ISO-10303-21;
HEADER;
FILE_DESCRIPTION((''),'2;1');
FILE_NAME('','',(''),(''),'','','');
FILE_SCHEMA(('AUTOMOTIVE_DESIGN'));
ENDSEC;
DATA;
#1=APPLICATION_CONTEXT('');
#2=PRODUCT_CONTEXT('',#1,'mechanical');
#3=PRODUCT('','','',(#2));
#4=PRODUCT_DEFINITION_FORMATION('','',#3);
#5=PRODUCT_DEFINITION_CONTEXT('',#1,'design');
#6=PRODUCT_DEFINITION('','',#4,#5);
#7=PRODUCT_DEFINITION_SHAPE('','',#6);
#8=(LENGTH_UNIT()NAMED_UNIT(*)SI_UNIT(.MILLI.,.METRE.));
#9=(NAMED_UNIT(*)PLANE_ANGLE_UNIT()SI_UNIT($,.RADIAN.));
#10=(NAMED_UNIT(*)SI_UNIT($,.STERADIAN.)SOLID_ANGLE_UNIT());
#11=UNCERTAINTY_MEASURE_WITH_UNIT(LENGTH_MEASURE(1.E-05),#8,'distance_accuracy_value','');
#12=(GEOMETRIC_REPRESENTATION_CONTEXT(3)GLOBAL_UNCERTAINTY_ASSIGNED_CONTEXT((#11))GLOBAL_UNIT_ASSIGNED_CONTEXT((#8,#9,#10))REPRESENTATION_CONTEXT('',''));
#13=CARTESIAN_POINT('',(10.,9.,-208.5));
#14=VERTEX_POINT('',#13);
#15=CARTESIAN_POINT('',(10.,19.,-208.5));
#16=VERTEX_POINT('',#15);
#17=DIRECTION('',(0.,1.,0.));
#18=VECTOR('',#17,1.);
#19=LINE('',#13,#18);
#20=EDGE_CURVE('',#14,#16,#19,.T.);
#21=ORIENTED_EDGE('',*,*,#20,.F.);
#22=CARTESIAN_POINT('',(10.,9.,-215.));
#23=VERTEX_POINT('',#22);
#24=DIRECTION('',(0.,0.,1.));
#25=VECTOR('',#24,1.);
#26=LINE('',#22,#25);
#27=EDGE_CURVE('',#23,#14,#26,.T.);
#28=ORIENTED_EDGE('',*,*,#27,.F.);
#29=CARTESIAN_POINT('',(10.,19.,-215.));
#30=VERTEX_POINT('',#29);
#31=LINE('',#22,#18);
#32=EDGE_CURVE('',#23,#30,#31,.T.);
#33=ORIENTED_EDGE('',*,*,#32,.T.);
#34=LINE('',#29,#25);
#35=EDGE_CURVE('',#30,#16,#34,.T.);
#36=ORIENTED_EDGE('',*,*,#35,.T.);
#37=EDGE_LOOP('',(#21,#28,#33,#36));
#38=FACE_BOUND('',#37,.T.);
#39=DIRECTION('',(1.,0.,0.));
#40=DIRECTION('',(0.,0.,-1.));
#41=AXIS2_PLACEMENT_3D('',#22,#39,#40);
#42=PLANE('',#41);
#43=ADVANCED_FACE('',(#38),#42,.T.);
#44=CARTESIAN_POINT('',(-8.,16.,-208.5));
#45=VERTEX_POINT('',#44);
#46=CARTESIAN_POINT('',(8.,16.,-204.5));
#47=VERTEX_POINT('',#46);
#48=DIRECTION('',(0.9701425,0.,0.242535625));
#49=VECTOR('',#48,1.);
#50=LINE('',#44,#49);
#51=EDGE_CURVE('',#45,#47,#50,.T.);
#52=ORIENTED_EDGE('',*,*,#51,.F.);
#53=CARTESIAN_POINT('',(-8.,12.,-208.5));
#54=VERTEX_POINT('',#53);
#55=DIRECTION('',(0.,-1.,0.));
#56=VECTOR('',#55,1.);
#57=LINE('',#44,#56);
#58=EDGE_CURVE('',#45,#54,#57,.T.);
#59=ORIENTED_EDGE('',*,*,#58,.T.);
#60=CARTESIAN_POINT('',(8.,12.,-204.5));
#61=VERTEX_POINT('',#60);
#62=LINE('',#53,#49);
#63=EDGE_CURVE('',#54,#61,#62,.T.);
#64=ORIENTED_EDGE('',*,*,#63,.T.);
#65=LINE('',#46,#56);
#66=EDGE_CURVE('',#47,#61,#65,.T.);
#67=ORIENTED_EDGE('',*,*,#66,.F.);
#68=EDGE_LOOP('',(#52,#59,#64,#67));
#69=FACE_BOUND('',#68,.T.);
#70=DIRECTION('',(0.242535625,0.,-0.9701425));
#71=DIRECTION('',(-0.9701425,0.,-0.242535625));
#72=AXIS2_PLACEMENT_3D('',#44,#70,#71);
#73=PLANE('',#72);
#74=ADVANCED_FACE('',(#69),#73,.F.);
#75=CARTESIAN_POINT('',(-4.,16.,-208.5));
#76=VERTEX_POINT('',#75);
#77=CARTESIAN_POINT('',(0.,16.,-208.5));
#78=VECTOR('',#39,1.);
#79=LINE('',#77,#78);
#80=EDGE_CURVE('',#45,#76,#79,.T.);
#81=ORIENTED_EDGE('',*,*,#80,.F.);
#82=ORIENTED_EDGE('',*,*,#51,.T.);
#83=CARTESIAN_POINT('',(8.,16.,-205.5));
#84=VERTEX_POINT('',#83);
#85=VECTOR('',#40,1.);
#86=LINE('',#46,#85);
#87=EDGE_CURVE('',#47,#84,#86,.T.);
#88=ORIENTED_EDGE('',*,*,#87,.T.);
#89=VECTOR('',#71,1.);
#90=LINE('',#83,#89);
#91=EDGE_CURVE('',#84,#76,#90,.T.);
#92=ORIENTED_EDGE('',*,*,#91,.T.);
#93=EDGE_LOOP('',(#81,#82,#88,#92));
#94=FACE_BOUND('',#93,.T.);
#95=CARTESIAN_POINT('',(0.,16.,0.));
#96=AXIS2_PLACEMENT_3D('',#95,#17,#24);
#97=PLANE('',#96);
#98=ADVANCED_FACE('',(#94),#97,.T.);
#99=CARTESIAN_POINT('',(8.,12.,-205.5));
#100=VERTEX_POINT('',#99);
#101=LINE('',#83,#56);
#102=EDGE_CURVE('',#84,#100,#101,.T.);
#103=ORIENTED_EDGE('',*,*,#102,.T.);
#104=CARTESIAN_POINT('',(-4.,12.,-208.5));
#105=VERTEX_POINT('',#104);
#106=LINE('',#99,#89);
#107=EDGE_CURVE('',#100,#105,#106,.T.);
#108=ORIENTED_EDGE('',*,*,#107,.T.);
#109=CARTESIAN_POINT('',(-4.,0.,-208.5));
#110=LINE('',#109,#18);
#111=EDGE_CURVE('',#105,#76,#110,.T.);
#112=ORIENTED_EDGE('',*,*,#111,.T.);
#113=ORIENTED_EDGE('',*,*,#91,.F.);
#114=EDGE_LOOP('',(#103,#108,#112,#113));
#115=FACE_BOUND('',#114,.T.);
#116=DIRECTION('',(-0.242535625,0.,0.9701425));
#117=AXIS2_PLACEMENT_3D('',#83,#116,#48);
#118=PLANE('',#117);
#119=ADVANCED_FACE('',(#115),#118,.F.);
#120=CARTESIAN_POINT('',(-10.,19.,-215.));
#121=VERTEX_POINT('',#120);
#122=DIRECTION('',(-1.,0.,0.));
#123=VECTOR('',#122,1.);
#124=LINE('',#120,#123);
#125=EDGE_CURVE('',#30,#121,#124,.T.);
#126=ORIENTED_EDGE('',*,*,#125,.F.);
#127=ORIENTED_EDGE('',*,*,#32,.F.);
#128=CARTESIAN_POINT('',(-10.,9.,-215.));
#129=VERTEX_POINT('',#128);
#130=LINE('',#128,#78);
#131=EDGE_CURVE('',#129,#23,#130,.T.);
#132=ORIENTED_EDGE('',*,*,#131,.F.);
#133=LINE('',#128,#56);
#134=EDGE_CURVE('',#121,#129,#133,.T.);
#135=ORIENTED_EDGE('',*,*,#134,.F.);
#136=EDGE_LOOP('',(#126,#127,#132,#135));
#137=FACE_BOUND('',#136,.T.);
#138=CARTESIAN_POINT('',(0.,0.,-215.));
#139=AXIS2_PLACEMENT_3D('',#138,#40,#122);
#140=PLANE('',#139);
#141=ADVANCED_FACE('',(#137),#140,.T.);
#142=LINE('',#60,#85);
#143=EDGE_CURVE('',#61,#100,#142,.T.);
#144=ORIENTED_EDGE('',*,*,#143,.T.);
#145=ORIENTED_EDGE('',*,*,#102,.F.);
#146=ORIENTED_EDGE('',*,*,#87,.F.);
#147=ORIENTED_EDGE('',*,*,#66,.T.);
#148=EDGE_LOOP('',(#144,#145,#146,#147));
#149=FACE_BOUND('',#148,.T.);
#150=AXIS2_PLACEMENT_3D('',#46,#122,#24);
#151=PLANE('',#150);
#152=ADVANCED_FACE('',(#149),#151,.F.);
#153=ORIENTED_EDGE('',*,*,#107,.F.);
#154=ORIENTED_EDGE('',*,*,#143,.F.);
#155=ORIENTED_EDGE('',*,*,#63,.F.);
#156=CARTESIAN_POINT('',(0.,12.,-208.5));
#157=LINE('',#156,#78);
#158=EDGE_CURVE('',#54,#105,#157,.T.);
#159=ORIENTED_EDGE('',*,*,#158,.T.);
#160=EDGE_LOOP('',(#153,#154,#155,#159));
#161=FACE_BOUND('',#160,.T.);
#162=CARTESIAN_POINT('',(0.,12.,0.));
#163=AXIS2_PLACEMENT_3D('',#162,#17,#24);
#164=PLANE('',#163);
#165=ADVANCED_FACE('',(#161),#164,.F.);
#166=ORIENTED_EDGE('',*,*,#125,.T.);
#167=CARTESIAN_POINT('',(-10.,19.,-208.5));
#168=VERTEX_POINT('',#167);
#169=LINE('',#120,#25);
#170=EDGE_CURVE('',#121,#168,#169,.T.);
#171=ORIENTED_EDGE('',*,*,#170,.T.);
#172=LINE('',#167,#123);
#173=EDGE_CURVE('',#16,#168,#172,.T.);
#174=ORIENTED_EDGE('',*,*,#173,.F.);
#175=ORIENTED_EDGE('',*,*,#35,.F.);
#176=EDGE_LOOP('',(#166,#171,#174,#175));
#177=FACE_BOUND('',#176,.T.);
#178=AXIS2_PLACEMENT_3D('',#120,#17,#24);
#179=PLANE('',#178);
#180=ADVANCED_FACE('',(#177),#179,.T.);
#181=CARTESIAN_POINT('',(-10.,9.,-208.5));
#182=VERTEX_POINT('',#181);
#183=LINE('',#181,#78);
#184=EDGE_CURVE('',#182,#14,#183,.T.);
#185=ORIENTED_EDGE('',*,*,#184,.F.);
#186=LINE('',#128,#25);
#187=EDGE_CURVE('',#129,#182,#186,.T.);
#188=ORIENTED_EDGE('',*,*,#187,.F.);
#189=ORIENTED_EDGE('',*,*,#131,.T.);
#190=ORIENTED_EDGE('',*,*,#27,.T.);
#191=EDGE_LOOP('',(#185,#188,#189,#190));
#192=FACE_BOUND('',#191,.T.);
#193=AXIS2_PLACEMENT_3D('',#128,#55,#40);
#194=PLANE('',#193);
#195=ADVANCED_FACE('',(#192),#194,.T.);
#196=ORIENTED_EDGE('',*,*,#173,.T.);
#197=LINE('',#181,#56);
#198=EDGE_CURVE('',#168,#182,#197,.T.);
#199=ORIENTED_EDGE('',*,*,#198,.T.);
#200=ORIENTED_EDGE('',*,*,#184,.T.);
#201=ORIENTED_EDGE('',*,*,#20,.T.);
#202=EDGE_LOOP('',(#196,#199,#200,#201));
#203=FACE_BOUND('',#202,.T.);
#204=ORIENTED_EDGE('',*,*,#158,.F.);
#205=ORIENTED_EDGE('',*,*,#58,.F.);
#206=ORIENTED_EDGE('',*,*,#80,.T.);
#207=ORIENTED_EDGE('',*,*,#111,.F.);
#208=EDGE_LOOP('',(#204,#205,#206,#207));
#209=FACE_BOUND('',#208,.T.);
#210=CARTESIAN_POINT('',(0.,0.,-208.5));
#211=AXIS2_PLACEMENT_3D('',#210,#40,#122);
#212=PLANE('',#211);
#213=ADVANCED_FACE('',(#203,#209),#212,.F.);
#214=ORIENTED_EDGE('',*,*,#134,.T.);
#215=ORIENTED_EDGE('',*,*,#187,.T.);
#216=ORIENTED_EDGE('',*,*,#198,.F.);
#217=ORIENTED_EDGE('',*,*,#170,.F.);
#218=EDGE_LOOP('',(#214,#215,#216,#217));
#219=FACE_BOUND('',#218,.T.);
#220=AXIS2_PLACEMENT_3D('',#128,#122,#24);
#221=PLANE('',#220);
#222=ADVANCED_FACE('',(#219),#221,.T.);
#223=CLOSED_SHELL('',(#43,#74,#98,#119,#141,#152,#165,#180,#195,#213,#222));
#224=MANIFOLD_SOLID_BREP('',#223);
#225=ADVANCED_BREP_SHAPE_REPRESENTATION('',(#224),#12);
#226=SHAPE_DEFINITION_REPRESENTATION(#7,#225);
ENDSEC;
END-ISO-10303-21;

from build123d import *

# Parameters (mm, degrees)
BOITIER_MICROSWITCH_START = -208.5
ESQUISSE1_W               = 20
ESQUISSE1_H               = 10
BOITIER_MICROSWITCH_DEPTH = 6.5
LEVIER_DETECTION_START    = 12
LEVIER_DETECTION_DEPTH    = 4


with BuildPart() as part:
    # Esquisse1 → Boitier_microswitch (new body)
    with BuildSketch(Plane.XY.offset(BOITIER_MICROSWITCH_START)):
        with Locations((0, 14)):
            Rectangle(ESQUISSE1_W, ESQUISSE1_H)
    extrude(amount=-BOITIER_MICROSWITCH_DEPTH)

    # Esquisse2 → Levier_detection (add)
    with BuildSketch(Plane(origin=(0, 0, 0), x_dir=(1, 0, 0), z_dir=(0, 1, 0)).offset(LEVIER_DETECTION_START)):
        Polygon((-8, 208.5), (8, 204.5), (8, 205.5), (-8, 209.5), align=None)
    extrude(amount=LEVIER_DETECTION_DEPTH)


solid = part.part
